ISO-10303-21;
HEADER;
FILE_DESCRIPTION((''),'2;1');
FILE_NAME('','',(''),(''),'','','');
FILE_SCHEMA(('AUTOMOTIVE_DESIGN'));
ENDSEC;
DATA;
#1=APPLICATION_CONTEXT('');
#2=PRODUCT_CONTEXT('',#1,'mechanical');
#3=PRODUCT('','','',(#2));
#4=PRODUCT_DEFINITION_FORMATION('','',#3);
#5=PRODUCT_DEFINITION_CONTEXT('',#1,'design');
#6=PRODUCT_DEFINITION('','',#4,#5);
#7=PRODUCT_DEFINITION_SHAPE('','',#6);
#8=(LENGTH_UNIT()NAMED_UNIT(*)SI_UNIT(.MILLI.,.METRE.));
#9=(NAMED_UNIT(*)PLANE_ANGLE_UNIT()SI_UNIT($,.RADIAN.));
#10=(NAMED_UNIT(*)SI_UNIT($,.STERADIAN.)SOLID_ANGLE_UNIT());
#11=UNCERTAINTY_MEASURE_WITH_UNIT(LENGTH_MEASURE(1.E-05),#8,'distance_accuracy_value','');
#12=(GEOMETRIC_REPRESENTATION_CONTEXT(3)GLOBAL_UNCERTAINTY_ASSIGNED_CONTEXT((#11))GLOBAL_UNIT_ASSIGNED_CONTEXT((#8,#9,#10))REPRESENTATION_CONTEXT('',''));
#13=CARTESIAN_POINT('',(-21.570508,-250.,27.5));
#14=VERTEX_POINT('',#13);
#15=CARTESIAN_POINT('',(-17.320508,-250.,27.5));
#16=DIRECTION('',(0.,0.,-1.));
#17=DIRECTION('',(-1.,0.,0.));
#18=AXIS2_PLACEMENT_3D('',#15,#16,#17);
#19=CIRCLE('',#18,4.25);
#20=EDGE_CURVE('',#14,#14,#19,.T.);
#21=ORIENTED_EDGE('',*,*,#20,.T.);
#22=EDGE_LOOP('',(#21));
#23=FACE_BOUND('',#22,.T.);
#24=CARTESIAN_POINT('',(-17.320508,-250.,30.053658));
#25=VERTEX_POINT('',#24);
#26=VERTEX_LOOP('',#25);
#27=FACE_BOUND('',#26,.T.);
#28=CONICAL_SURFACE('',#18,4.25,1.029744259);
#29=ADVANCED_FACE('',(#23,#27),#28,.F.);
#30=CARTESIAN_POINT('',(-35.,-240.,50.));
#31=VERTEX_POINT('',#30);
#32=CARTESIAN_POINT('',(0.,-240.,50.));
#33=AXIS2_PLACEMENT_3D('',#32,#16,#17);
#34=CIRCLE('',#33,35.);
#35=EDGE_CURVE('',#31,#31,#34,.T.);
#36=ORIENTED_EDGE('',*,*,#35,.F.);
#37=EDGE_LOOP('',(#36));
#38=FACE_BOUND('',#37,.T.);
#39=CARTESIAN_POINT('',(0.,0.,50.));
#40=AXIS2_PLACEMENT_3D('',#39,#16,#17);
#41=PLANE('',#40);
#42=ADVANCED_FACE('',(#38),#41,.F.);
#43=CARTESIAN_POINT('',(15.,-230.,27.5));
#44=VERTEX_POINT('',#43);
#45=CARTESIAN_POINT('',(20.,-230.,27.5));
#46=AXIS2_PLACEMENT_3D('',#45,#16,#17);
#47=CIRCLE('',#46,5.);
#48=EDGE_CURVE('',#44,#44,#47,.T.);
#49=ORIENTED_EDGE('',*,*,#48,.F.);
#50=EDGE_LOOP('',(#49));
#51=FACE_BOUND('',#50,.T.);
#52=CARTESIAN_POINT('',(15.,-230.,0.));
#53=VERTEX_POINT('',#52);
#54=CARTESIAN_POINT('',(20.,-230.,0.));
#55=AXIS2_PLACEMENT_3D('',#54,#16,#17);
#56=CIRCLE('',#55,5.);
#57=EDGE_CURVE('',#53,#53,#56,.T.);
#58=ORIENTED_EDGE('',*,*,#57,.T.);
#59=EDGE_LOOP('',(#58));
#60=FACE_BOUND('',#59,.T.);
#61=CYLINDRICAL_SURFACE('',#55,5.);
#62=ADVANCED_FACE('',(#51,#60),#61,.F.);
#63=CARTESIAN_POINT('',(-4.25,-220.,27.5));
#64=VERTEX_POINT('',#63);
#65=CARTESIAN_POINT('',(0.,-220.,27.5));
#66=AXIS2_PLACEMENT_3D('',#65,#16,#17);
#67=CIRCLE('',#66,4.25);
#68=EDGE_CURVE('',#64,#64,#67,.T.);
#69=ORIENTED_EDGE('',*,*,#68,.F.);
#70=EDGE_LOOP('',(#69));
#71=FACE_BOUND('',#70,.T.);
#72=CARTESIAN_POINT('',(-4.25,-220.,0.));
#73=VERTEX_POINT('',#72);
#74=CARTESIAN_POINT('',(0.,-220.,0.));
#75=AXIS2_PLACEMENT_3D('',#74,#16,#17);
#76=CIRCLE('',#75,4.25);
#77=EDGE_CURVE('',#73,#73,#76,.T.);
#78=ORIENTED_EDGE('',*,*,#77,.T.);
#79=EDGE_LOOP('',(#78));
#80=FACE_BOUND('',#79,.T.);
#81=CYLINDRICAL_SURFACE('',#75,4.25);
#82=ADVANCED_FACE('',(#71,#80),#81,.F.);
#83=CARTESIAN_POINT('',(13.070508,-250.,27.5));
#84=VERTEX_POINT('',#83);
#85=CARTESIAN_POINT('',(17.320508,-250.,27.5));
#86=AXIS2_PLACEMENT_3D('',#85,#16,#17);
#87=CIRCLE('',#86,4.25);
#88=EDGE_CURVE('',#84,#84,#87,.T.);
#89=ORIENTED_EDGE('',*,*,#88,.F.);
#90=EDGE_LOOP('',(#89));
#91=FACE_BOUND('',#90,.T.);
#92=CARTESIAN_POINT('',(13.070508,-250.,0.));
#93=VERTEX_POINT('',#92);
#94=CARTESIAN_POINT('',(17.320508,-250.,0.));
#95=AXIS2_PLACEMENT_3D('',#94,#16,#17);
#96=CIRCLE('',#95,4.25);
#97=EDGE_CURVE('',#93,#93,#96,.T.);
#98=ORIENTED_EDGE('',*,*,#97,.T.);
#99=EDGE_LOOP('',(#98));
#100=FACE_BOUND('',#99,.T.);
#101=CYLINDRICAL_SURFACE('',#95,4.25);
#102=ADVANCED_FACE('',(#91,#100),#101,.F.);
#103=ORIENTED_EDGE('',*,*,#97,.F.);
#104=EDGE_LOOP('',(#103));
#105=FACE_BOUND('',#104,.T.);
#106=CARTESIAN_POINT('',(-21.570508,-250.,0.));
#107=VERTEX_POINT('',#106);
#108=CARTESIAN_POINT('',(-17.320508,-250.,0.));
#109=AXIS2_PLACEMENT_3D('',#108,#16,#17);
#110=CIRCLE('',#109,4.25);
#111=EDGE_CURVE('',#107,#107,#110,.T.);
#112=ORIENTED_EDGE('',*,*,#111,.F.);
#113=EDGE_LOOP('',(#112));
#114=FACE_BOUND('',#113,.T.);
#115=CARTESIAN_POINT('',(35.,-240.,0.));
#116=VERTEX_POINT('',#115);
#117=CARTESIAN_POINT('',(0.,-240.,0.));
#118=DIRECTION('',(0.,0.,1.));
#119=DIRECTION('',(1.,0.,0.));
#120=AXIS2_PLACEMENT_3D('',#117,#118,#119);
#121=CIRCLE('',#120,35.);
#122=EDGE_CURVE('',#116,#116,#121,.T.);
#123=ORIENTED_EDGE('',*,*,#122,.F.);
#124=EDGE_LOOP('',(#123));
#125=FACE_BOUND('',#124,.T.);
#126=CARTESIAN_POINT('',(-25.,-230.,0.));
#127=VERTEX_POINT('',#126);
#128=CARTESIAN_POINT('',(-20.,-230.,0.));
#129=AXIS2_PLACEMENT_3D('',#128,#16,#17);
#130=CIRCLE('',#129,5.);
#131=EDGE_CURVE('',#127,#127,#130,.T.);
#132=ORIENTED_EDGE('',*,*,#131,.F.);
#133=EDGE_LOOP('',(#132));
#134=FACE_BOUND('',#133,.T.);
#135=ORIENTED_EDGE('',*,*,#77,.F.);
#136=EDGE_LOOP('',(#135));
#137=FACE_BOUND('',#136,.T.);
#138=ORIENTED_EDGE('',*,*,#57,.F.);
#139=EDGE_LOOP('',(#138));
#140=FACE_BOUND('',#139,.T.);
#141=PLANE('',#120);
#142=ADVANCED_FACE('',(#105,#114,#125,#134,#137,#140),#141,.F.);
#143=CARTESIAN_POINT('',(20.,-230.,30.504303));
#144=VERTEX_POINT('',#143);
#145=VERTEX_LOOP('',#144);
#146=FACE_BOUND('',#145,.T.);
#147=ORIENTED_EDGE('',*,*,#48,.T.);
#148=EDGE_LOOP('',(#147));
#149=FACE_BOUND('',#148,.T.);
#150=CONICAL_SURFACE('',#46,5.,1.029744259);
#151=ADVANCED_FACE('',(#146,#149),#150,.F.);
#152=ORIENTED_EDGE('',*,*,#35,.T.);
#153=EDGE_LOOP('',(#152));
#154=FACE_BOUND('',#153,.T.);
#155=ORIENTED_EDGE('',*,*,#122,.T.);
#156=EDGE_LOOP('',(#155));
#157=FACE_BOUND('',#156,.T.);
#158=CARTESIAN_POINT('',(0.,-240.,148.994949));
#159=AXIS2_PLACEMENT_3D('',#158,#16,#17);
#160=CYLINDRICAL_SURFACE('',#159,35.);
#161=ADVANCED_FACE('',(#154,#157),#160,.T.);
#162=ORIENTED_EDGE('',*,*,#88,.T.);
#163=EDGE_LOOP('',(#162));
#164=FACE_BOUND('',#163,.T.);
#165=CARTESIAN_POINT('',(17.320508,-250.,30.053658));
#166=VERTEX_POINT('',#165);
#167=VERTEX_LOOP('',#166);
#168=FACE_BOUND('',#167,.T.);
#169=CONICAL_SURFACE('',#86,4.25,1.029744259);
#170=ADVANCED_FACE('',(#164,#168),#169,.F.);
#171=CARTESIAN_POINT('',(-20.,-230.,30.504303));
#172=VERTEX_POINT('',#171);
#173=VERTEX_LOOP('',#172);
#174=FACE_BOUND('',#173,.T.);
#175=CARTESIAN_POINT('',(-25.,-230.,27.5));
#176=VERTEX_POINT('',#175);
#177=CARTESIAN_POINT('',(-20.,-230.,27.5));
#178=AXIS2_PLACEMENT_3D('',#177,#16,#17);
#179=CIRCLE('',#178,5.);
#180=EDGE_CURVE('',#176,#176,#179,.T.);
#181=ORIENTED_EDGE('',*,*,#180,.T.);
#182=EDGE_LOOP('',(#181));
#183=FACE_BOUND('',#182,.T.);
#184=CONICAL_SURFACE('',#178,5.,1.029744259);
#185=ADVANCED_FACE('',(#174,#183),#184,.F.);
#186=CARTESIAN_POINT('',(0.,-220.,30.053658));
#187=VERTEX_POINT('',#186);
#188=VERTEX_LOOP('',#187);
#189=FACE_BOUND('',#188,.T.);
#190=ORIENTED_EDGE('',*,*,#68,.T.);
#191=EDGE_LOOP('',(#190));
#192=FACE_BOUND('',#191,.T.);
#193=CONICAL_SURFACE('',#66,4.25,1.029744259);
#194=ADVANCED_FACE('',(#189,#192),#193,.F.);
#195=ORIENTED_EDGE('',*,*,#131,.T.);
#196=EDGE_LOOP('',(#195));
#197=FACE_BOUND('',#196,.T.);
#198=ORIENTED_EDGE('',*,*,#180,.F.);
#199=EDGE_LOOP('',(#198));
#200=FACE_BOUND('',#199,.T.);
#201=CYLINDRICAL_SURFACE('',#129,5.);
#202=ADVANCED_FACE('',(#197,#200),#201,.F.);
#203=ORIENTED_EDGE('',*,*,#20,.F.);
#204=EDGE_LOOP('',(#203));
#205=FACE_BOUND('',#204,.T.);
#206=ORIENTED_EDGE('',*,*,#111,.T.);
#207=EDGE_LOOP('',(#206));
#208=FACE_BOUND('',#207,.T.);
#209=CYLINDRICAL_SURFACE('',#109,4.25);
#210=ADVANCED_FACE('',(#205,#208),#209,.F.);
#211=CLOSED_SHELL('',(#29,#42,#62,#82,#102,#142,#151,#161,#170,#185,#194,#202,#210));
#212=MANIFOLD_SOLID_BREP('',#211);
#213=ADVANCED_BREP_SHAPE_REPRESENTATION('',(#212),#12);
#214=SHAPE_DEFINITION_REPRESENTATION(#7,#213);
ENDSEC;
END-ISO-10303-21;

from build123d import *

# Parameters (mm, degrees)
ESBO_O1_R                    = 35
RESSALTO_EXTRUS_O1_DEPTH     = 50
FURO_ROSCADO_DE_M101_D       = 8.5
FURO_ROSCADO_DE_M101_DEPTH   = 27.5
FURO_ROSCADO_DE_M101_TIP     = 2.553657631
FUROS_GUIA_COM_10_0MM1_D     = 10
FUROS_GUIA_COM_10_0MM1_DEPTH = 27.5
FUROS_GUIA_COM_10_0MM1_TIP   = 3.004303095


with BuildPart() as part:
    # Esboço1 → Ressalto-extrusão1 (new body)
    with BuildSketch(Plane.XY):
        with Locations(Location((0, -240, 0), (0, 0, 180))):
            Circle(ESBO_O1_R)
    extrude(amount=RESSALTO_EXTRUS_O1_DEPTH)

    # Furo roscado de M101
    with Locations(Plane(origin=(0, 0, 0), x_dir=(-1, 0, 0), z_dir=(0, 0, -1))):
        with Locations((0, -220), (17.320508076, -250), (-17.320508076, -250)):
            Hole(FURO_ROSCADO_DE_M101_D / 2, depth=FURO_ROSCADO_DE_M101_DEPTH)
            with Locations((0, 0, -(FURO_ROSCADO_DE_M101_DEPTH + FURO_ROSCADO_DE_M101_TIP / 2))):  # 118° drill point
                Cone(0, FURO_ROSCADO_DE_M101_D / 2, FURO_ROSCADO_DE_M101_TIP, mode=Mode.SUBTRACT)

    # Furos-guia com Ø10.0mm1
    with Locations(Plane(origin=(0, 0, 0), x_dir=(-1, 0, 0), z_dir=(0, 0, -1))):
        with Locations((20, -230), (-20, -230)):
            Hole(FUROS_GUIA_COM_10_0MM1_D / 2, depth=FUROS_GUIA_COM_10_0MM1_DEPTH)
            with Locations((0, 0, -(FUROS_GUIA_COM_10_0MM1_DEPTH + FUROS_GUIA_COM_10_0MM1_TIP / 2))):  # 118° drill point
                Cone(0, FUROS_GUIA_COM_10_0MM1_D / 2, FUROS_GUIA_COM_10_0MM1_TIP, mode=Mode.SUBTRACT)


solid = part.part
